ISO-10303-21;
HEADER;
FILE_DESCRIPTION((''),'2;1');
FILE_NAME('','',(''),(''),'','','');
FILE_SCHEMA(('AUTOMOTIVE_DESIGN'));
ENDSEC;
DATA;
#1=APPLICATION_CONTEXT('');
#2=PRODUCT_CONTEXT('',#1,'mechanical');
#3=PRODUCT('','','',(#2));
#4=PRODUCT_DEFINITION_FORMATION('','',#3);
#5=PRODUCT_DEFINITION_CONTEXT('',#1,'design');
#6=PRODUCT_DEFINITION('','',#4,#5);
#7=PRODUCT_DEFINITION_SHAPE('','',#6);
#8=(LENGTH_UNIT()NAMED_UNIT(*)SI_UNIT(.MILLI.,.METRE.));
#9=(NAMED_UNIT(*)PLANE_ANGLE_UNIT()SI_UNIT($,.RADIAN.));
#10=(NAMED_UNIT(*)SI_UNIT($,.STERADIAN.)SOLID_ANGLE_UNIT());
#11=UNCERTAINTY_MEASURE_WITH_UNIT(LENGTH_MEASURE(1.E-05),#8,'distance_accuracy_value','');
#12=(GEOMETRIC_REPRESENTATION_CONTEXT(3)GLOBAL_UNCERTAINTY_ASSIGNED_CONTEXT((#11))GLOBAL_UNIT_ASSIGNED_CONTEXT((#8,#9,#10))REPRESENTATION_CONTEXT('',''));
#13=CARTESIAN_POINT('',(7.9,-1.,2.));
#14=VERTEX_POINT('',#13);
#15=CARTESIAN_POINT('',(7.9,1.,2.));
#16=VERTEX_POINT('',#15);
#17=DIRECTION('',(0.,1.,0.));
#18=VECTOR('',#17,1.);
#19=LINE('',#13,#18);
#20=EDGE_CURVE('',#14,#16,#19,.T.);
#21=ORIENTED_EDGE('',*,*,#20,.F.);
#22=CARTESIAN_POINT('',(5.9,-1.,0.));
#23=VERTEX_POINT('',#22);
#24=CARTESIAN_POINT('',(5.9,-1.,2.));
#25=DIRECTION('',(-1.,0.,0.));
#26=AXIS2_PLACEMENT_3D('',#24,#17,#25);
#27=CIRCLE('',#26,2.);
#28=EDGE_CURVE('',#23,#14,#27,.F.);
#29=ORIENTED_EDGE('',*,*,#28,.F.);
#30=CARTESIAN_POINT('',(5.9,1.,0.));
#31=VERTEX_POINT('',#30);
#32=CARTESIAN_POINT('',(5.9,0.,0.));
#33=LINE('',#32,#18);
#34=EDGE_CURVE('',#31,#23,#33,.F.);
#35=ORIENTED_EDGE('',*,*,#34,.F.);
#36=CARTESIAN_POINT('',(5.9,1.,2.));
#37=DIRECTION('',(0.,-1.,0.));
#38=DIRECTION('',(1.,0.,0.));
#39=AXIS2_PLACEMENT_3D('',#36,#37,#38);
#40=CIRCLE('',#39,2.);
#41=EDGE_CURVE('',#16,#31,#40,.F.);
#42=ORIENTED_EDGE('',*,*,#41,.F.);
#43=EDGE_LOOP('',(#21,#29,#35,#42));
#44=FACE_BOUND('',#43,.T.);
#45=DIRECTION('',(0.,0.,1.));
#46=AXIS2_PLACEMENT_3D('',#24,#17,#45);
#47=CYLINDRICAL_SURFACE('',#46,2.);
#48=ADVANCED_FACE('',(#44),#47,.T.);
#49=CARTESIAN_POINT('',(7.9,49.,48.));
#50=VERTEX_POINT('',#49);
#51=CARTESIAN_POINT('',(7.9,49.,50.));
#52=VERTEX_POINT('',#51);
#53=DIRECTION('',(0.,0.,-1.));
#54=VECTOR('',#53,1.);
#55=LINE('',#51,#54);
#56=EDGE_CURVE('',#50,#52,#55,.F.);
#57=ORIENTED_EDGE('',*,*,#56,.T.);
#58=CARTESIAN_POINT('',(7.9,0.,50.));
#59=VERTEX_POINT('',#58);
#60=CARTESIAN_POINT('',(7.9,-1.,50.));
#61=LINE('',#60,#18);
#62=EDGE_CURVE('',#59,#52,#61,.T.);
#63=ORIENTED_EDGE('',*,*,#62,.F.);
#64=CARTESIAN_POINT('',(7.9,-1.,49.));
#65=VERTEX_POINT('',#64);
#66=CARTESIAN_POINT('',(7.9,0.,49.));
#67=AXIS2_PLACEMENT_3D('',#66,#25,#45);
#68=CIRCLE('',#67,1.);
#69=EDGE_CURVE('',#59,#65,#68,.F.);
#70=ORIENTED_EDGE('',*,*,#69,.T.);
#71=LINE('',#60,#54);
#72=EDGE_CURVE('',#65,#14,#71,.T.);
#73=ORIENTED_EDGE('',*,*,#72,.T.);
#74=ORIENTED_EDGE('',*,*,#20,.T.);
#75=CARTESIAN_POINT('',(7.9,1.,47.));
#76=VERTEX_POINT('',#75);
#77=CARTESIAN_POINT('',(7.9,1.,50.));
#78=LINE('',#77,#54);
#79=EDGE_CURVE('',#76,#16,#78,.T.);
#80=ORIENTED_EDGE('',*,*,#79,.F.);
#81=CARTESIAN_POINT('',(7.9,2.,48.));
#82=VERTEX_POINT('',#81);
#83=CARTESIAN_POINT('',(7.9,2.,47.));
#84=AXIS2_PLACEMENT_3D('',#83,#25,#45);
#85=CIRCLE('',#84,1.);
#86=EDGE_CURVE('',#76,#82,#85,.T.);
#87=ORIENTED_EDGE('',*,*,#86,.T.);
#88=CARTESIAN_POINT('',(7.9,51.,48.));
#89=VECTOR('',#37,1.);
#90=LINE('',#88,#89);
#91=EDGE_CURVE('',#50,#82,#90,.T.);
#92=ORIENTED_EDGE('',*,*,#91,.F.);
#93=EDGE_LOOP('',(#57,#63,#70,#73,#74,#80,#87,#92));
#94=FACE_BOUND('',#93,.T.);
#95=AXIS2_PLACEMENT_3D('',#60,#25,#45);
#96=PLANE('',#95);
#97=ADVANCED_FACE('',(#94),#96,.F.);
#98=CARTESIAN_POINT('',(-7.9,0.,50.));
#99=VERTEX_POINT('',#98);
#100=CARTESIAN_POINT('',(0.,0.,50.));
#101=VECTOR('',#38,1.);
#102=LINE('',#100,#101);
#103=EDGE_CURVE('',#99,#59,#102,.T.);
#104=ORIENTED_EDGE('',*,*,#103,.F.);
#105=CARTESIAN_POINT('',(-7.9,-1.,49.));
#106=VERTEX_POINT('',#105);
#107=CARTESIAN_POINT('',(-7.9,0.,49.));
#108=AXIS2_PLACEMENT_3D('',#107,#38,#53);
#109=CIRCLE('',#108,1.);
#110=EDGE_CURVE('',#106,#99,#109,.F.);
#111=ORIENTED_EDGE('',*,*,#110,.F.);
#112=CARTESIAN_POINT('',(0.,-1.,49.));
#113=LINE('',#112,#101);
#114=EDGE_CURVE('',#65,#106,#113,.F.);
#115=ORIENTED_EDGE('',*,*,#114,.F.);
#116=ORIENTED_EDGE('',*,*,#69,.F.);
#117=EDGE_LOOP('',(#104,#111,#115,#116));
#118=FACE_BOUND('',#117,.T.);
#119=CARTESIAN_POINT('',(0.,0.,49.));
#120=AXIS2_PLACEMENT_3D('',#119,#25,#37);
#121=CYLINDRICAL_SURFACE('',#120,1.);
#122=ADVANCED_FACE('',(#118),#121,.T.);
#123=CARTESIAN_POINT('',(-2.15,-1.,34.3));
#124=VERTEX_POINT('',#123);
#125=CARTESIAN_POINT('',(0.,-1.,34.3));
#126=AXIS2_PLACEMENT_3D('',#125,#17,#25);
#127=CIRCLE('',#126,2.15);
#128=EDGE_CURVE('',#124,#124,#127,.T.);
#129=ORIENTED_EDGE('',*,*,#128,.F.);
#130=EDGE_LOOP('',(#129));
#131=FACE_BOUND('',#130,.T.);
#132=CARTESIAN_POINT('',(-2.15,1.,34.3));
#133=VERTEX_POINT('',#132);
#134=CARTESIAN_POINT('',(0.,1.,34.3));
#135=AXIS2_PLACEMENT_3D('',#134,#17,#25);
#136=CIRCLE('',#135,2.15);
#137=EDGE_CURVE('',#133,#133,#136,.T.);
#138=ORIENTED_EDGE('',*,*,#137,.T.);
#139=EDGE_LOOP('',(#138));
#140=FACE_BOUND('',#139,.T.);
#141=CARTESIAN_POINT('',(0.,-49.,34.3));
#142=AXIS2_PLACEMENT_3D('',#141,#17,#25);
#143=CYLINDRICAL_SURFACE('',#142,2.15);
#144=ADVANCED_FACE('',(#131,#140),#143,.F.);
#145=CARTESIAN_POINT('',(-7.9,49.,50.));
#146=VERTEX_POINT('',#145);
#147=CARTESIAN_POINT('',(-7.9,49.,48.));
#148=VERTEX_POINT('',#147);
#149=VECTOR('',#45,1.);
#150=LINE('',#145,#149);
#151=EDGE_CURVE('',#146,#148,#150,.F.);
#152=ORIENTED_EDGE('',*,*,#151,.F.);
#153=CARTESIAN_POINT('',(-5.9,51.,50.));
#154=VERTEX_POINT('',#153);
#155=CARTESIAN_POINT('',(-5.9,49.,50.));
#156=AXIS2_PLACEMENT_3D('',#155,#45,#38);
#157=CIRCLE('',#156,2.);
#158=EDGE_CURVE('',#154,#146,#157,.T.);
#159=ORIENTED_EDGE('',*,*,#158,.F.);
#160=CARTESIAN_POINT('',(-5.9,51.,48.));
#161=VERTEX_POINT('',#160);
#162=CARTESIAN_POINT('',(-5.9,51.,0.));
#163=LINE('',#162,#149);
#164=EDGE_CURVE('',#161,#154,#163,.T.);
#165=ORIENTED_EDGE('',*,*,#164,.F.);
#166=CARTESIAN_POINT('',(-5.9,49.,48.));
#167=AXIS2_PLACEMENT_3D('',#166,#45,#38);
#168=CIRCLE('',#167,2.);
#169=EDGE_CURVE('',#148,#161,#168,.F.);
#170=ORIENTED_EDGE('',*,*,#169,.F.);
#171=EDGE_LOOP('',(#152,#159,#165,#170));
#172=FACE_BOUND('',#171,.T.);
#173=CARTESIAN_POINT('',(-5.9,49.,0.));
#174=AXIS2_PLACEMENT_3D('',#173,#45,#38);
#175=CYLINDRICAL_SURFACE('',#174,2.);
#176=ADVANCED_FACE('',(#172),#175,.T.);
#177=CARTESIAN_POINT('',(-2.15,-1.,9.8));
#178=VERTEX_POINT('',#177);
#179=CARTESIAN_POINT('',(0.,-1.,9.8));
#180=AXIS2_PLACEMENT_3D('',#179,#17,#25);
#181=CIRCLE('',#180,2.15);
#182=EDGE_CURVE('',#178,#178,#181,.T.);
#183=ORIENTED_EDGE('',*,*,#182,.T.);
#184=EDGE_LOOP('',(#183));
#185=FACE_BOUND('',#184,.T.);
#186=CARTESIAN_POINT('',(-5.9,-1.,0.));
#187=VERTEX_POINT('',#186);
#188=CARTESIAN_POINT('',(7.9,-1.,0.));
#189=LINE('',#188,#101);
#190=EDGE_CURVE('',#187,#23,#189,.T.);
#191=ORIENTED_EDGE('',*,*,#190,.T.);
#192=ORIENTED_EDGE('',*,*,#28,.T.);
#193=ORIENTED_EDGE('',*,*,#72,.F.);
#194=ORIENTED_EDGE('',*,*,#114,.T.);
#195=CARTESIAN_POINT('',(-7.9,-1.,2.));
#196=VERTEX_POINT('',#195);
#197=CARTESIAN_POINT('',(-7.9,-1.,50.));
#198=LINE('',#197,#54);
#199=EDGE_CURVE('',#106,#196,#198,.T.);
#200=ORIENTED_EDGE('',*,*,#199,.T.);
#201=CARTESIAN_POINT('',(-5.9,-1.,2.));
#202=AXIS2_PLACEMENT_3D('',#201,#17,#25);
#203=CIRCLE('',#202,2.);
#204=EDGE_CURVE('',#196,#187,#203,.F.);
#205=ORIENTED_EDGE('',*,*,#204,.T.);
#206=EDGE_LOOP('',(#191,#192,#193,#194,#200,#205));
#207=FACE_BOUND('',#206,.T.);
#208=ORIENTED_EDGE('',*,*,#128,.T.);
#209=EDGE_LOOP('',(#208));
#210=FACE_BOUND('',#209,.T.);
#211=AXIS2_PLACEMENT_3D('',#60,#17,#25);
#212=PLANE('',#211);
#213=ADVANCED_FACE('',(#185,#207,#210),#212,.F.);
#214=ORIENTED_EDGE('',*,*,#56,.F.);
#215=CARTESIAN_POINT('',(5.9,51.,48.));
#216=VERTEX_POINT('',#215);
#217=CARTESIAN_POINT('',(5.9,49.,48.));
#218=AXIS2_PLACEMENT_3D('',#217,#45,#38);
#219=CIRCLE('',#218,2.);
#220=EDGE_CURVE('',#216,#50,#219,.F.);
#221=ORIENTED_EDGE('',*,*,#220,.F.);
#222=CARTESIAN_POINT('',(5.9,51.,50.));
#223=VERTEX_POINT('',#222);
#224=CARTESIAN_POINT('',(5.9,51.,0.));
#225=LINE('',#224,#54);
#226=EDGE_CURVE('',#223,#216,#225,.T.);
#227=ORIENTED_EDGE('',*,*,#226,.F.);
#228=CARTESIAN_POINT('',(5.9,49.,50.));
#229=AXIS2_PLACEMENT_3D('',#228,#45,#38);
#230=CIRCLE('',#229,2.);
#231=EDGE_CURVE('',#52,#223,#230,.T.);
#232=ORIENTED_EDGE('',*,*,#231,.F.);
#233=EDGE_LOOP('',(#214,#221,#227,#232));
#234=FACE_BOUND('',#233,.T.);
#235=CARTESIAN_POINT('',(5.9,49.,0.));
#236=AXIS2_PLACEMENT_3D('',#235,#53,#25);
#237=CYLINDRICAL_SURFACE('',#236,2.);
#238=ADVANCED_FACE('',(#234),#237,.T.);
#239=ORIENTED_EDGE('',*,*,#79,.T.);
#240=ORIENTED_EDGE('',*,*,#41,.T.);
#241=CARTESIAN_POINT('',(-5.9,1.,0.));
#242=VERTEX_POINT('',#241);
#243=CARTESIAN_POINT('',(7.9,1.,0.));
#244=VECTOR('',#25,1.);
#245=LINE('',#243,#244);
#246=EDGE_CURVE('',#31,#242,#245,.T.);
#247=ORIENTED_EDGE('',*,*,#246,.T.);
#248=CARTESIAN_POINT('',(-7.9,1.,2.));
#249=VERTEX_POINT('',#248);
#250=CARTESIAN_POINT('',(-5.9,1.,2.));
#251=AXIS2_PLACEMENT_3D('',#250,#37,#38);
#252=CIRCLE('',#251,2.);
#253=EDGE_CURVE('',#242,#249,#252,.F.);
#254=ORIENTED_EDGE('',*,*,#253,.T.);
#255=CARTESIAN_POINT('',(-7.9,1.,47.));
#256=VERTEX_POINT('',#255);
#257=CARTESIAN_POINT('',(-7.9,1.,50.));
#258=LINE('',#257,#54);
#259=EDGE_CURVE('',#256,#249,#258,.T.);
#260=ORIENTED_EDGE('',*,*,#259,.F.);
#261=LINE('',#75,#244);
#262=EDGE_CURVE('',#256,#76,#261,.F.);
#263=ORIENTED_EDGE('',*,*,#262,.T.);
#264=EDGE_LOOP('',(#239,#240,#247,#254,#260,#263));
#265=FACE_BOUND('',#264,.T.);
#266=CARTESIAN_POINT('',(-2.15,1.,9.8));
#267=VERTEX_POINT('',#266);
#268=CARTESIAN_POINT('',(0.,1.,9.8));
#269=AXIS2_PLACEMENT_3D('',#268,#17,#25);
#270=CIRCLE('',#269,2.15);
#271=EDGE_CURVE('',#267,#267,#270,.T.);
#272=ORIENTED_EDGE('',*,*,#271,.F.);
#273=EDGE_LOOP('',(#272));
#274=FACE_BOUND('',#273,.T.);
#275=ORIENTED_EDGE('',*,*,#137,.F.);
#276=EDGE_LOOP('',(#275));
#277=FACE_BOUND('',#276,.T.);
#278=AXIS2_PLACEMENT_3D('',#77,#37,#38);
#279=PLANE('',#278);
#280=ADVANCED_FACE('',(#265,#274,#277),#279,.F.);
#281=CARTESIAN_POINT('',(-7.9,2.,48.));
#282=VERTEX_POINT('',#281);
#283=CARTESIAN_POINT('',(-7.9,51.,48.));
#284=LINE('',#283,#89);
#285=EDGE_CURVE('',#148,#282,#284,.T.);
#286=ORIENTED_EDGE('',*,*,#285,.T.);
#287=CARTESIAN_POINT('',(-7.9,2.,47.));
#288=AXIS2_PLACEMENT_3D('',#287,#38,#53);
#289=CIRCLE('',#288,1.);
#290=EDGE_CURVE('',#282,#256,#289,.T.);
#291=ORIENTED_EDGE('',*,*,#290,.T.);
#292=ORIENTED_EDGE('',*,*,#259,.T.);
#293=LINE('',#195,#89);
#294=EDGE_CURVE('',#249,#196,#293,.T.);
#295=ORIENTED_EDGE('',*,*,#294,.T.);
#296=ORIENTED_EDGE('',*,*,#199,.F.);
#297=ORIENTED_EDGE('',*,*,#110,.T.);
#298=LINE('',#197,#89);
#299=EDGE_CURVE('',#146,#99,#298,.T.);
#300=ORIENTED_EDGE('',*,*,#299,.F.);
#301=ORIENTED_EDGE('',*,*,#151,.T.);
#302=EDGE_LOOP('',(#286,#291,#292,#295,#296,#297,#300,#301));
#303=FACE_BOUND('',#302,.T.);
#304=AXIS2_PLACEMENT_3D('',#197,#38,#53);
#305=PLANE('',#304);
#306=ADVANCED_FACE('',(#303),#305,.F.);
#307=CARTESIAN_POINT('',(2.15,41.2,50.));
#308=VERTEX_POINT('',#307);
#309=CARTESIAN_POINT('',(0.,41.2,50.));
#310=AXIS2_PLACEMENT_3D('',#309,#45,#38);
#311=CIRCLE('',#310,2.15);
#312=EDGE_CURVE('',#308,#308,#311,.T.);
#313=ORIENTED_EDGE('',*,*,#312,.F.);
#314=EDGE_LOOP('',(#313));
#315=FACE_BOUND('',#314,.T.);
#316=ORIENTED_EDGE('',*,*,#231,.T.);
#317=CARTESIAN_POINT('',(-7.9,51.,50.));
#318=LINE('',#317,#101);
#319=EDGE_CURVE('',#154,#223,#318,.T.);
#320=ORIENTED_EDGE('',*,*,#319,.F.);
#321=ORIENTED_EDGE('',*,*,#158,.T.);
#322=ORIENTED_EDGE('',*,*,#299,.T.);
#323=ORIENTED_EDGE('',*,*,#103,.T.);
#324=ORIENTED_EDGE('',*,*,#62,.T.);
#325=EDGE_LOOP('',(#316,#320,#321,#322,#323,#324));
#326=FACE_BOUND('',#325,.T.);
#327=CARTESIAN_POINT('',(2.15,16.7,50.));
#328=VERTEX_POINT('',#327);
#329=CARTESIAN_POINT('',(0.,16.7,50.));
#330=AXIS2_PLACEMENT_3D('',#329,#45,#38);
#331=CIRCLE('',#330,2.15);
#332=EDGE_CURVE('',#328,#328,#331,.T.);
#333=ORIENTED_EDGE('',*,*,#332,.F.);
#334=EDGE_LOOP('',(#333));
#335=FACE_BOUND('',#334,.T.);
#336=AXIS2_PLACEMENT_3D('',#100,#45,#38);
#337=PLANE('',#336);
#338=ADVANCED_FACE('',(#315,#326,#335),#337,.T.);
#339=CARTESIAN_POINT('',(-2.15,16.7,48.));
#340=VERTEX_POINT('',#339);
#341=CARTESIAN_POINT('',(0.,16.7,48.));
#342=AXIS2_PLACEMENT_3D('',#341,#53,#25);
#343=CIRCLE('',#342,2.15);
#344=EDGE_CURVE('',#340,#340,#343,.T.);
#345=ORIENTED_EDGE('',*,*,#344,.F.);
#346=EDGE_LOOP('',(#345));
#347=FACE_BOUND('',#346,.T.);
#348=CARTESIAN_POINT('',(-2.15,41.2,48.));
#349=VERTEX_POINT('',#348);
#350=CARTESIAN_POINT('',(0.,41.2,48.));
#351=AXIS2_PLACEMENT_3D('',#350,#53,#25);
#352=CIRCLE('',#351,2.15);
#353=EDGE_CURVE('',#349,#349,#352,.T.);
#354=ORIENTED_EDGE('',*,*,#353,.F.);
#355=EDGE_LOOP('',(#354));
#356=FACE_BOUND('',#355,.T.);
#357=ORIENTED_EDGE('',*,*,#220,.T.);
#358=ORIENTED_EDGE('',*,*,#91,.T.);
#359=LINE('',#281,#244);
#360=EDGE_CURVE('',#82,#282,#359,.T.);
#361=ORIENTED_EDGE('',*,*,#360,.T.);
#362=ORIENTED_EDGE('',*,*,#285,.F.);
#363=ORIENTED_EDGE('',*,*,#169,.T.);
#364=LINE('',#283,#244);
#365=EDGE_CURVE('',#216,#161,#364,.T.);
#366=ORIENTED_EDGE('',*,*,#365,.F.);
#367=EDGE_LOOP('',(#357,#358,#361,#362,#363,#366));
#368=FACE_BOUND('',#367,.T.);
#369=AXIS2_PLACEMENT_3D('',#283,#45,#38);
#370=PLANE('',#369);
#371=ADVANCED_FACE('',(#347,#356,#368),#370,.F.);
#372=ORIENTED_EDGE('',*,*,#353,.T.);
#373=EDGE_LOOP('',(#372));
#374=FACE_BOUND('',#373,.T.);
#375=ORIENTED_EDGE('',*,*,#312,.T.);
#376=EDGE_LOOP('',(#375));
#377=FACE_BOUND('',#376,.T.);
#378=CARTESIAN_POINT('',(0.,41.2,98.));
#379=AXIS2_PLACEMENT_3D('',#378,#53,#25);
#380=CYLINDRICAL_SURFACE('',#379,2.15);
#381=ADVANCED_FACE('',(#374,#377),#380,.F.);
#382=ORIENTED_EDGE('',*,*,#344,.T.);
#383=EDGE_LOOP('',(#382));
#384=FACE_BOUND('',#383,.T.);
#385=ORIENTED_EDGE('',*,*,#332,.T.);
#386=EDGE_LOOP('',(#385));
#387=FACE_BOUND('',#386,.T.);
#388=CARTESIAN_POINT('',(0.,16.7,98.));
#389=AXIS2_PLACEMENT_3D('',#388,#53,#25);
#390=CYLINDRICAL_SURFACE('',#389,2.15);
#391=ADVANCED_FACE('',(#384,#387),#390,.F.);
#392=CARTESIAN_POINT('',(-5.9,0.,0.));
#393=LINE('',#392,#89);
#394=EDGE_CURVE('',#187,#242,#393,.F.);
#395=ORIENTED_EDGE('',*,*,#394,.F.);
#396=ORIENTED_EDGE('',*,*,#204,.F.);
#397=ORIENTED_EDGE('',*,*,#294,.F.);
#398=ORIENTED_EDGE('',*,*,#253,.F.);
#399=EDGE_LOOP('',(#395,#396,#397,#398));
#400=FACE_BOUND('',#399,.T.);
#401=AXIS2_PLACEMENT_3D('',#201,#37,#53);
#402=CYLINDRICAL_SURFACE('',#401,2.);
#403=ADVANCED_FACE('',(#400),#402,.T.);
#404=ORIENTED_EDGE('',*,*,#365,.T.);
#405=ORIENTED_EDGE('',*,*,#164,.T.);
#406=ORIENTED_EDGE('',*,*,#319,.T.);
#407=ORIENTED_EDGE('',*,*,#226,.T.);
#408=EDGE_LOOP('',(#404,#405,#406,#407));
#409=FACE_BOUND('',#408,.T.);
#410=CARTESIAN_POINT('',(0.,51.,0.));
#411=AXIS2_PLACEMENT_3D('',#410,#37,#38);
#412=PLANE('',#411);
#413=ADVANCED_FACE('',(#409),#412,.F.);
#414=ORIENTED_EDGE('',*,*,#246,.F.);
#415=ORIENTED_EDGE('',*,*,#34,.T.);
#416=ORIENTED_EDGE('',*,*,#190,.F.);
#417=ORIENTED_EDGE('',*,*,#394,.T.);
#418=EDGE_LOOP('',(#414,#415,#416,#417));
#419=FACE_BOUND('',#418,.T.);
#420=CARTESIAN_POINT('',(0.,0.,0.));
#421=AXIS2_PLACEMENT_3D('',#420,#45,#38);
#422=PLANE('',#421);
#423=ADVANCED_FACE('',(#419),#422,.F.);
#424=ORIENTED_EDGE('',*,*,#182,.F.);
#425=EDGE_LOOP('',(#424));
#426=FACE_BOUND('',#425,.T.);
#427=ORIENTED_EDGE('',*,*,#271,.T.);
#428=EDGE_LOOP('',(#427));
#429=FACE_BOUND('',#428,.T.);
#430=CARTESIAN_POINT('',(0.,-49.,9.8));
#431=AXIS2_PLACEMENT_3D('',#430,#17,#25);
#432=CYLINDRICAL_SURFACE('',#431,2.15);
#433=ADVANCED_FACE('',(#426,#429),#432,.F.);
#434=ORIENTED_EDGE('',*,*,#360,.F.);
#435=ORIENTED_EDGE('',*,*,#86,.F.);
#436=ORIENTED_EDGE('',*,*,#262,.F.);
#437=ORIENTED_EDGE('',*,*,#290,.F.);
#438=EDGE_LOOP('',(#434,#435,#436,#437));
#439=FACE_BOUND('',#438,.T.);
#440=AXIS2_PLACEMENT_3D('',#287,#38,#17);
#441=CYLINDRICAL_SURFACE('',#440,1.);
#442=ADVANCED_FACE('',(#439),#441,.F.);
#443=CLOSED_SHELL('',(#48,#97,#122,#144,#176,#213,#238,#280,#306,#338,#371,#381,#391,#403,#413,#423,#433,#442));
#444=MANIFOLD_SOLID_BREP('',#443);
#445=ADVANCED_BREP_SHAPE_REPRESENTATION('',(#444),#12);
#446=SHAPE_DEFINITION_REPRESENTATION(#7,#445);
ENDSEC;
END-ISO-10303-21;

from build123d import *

# Parameters (mm, degrees)
SKETCH_1_W          = 15.8
SKETCH_1_H          = 2
EXTRUDE_1_DEPTH     = 50
SKETCH_2_W          = 15.8
SKETCH_2_H          = 2
EXTRUDE_2_DEPTH     = 50
FILLET_5_R          = 1
FILLET_6_R          = 1
FILLET_7_R          = 2
FILLET_8_R          = 2
SKETCH_3_R          = 2.15
CUT_EXTRUDE_1_DEPTH = 50
SKETCH_8_R          = 2.15
CUT_EXTRUDE_3_DEPTH = 50


with BuildPart() as part:
    # 草圖1 → 填料-伸長1 (new body)
    with BuildSketch(Plane.XY):
        Rectangle(SKETCH_1_W, SKETCH_1_H)
    extrude(amount=EXTRUDE_1_DEPTH)

    # 草圖2 → 填料-伸長2 (add)
    with BuildSketch(Plane(origin=(0, 1, 0), x_dir=(1, 0, 0), z_dir=(0, 1, 0))):
        with Locations((0, -49)):
            Rectangle(SKETCH_2_W, SKETCH_2_H)
    extrude(amount=EXTRUDE_2_DEPTH)

    # 圓角5
    fillet_5_edges = [part.edges().sort_by_distance(p)[0] for p in [
        (0, -1, 50),
    ]]
    fillet(fillet_5_edges, radius=FILLET_5_R)

    # 圓角6
    fillet_6_edges = [part.edges().sort_by_distance(p)[0] for p in [
        (0, 1, 48),
    ]]
    fillet(fillet_6_edges, radius=FILLET_6_R)

    # 圓角7
    fillet_7_edges = [part.edges().sort_by_distance(p)[0] for p in [
        (7.9, 51, 49),
    ]]
    fillet(fillet_7_edges, radius=FILLET_7_R)

    # 圓角8
    fillet_8_edges = [part.edges().sort_by_distance(p)[0] for p in [
        (-7.9, 51, 49),
        (7.9, 0, 0),
        (-7.9, 0, 0),
    ]]
    fillet(fillet_8_edges, radius=FILLET_8_R)

    # 草圖3 → 除料-伸長1 (cut)
    with BuildSketch(Plane(origin=(0, 0, 48), x_dir=(-1, 0, 0), z_dir=(0, 0, -1))):
        with Locations((0, 41.2)):
            Circle(SKETCH_3_R)
        with Locations((0, 16.7)):
            Circle(SKETCH_3_R)
    extrude(amount=-CUT_EXTRUDE_1_DEPTH, mode=Mode.SUBTRACT)

    # 草圖8 → 除料-伸長3 (cut)
    with BuildSketch(Plane(origin=(0, 1, 0), x_dir=(1, 0, 0), z_dir=(0, 1, 0))):
        with Locations(Location((0, -9.8, 0), (0, 0, 180))):
            Circle(SKETCH_8_R)
        with Locations(Location((0, -34.3, 0), (0, 0, 180))):
            Circle(SKETCH_8_R)
    extrude(amount=-CUT_EXTRUDE_3_DEPTH, mode=Mode.SUBTRACT)


solid = part.part
